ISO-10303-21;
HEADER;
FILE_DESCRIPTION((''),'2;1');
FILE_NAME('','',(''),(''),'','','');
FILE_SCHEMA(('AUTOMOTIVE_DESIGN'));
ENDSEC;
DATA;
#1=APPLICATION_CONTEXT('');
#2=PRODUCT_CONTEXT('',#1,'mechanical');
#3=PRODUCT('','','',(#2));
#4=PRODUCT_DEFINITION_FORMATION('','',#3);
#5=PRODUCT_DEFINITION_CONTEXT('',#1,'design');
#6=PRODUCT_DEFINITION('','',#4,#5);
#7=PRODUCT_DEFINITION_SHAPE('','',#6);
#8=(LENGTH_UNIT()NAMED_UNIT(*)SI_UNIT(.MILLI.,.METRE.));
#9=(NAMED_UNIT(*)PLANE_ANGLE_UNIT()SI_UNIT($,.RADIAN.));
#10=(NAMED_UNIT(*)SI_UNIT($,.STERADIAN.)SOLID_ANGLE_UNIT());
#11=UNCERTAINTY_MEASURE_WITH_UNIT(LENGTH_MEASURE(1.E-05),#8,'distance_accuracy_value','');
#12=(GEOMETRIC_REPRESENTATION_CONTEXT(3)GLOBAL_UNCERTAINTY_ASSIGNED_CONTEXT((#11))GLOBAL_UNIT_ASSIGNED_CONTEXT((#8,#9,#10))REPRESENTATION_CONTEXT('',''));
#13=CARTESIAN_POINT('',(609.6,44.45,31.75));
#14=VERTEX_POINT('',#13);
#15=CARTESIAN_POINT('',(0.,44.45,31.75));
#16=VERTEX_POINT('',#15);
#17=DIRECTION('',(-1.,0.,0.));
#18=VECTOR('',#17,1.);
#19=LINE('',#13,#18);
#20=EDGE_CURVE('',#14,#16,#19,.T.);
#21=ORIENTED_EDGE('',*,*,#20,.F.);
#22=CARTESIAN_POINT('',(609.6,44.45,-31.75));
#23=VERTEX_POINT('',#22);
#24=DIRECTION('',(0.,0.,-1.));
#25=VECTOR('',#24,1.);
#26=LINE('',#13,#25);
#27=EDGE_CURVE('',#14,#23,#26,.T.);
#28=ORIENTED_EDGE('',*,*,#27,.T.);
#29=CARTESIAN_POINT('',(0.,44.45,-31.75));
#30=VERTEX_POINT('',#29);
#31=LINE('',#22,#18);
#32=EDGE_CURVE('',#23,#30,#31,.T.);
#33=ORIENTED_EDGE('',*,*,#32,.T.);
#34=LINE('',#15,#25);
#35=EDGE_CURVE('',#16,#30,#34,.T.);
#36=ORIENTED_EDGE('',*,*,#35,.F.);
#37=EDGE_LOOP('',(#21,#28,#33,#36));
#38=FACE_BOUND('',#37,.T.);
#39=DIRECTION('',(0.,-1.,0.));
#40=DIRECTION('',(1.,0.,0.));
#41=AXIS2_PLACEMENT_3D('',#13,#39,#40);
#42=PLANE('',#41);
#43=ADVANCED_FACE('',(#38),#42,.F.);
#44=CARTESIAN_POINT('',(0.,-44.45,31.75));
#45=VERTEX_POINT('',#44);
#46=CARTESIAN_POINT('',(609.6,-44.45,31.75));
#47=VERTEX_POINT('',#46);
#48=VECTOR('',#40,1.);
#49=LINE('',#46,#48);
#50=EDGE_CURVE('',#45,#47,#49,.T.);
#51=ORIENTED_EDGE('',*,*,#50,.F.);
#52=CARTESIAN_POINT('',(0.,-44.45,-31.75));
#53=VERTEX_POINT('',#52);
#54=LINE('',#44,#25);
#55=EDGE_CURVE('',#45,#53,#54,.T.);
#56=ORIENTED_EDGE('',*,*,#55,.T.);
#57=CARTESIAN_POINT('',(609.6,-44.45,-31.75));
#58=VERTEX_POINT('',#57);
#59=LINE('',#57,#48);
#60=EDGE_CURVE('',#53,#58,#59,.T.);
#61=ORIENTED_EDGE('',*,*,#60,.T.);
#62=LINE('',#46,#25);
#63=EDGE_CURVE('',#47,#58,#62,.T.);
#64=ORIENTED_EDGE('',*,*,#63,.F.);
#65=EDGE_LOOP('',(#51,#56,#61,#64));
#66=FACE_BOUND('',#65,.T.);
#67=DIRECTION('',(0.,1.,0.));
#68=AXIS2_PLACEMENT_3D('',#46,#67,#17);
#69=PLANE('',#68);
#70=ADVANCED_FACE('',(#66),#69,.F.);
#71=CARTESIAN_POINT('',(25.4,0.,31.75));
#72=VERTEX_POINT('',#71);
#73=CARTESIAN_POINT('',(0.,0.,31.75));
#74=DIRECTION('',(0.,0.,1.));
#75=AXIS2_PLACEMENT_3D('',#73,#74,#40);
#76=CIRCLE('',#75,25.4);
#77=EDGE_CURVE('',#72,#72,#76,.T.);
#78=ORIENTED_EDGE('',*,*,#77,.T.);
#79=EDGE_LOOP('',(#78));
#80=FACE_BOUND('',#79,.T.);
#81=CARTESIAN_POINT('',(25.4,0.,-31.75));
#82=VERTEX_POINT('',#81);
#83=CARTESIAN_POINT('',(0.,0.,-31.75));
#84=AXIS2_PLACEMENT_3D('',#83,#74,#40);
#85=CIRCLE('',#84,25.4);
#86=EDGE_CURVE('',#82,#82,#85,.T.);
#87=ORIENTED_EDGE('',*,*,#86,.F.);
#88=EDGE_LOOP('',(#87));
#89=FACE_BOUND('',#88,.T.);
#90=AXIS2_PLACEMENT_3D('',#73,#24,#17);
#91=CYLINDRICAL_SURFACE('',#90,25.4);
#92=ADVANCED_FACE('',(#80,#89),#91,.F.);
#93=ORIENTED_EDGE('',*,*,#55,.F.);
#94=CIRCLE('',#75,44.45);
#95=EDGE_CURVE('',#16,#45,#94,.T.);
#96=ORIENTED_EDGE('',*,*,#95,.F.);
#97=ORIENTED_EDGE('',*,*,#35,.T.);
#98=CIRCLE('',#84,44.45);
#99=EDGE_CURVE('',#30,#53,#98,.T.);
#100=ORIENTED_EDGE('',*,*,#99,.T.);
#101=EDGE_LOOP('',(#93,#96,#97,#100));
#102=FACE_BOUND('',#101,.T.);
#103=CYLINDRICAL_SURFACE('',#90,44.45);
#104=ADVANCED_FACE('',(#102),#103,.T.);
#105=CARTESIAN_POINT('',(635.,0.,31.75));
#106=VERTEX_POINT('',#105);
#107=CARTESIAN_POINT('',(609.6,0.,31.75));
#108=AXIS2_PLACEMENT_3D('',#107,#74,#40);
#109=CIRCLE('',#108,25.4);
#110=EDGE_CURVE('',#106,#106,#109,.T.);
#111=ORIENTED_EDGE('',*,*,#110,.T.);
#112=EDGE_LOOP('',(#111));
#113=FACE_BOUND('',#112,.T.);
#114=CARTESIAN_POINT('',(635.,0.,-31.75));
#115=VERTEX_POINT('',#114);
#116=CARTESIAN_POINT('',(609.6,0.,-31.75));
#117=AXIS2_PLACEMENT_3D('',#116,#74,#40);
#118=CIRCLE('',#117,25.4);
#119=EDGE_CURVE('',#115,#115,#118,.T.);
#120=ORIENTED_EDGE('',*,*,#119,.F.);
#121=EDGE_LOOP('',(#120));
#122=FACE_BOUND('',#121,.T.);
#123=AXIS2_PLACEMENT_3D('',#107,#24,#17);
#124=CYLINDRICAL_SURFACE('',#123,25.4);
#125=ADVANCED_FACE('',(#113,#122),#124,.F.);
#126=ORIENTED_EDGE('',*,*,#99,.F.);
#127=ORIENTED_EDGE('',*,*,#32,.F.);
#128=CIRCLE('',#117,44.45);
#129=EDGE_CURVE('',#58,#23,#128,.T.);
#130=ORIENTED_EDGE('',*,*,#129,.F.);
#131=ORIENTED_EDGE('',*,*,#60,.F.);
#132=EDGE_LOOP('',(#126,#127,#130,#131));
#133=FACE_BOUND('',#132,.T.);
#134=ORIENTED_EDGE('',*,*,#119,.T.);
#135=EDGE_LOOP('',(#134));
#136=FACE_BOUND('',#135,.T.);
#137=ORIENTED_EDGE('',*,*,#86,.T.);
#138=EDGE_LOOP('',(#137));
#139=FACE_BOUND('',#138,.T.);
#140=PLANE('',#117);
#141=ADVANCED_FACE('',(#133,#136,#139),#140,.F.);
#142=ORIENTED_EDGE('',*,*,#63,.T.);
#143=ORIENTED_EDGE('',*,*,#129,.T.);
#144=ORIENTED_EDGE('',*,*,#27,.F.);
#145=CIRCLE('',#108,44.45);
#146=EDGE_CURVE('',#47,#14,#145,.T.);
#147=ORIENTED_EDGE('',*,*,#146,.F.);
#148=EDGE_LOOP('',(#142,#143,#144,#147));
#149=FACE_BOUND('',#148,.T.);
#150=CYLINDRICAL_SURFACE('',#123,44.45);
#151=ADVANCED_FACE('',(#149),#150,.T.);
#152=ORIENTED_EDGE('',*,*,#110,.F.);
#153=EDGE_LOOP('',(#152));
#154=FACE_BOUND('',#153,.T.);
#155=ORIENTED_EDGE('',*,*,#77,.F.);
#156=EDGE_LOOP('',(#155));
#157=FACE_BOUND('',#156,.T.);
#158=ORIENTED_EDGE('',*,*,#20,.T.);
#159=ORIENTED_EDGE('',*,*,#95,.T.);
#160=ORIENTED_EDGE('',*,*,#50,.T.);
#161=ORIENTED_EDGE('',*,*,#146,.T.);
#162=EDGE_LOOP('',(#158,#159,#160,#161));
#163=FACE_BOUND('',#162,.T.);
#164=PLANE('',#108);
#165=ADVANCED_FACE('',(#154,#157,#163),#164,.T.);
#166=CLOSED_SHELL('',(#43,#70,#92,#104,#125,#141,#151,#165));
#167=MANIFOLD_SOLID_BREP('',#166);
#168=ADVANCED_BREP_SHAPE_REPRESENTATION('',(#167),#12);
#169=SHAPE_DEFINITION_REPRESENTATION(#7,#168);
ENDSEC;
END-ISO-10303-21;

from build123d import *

# Parameters (mm, degrees)
SKETCH1_R           = 25.4
BOSS_EXTRUDE1_DEPTH = 31.75


with BuildPart() as part:
    # Sketch1 → Boss-Extrude1 (new, symmetric)
    with BuildSketch(Plane.XY):
        with BuildLine():
            Line((609.6, -44.45), (0, -44.45))
            ThreePointArc((0, -44.45), (-44.45, 0), (0, 44.45))
            Line((0, 44.45), (609.6, 44.45))
            ThreePointArc((609.6, 44.45), (654.05, 0), (609.6, -44.45))
        make_face()
        with Locations((609.6, 0)):
            Circle(SKETCH1_R, mode=Mode.SUBTRACT)
        Circle(SKETCH1_R, mode=Mode.SUBTRACT)
    extrude(amount=BOSS_EXTRUDE1_DEPTH, both=True)


solid = part.part
